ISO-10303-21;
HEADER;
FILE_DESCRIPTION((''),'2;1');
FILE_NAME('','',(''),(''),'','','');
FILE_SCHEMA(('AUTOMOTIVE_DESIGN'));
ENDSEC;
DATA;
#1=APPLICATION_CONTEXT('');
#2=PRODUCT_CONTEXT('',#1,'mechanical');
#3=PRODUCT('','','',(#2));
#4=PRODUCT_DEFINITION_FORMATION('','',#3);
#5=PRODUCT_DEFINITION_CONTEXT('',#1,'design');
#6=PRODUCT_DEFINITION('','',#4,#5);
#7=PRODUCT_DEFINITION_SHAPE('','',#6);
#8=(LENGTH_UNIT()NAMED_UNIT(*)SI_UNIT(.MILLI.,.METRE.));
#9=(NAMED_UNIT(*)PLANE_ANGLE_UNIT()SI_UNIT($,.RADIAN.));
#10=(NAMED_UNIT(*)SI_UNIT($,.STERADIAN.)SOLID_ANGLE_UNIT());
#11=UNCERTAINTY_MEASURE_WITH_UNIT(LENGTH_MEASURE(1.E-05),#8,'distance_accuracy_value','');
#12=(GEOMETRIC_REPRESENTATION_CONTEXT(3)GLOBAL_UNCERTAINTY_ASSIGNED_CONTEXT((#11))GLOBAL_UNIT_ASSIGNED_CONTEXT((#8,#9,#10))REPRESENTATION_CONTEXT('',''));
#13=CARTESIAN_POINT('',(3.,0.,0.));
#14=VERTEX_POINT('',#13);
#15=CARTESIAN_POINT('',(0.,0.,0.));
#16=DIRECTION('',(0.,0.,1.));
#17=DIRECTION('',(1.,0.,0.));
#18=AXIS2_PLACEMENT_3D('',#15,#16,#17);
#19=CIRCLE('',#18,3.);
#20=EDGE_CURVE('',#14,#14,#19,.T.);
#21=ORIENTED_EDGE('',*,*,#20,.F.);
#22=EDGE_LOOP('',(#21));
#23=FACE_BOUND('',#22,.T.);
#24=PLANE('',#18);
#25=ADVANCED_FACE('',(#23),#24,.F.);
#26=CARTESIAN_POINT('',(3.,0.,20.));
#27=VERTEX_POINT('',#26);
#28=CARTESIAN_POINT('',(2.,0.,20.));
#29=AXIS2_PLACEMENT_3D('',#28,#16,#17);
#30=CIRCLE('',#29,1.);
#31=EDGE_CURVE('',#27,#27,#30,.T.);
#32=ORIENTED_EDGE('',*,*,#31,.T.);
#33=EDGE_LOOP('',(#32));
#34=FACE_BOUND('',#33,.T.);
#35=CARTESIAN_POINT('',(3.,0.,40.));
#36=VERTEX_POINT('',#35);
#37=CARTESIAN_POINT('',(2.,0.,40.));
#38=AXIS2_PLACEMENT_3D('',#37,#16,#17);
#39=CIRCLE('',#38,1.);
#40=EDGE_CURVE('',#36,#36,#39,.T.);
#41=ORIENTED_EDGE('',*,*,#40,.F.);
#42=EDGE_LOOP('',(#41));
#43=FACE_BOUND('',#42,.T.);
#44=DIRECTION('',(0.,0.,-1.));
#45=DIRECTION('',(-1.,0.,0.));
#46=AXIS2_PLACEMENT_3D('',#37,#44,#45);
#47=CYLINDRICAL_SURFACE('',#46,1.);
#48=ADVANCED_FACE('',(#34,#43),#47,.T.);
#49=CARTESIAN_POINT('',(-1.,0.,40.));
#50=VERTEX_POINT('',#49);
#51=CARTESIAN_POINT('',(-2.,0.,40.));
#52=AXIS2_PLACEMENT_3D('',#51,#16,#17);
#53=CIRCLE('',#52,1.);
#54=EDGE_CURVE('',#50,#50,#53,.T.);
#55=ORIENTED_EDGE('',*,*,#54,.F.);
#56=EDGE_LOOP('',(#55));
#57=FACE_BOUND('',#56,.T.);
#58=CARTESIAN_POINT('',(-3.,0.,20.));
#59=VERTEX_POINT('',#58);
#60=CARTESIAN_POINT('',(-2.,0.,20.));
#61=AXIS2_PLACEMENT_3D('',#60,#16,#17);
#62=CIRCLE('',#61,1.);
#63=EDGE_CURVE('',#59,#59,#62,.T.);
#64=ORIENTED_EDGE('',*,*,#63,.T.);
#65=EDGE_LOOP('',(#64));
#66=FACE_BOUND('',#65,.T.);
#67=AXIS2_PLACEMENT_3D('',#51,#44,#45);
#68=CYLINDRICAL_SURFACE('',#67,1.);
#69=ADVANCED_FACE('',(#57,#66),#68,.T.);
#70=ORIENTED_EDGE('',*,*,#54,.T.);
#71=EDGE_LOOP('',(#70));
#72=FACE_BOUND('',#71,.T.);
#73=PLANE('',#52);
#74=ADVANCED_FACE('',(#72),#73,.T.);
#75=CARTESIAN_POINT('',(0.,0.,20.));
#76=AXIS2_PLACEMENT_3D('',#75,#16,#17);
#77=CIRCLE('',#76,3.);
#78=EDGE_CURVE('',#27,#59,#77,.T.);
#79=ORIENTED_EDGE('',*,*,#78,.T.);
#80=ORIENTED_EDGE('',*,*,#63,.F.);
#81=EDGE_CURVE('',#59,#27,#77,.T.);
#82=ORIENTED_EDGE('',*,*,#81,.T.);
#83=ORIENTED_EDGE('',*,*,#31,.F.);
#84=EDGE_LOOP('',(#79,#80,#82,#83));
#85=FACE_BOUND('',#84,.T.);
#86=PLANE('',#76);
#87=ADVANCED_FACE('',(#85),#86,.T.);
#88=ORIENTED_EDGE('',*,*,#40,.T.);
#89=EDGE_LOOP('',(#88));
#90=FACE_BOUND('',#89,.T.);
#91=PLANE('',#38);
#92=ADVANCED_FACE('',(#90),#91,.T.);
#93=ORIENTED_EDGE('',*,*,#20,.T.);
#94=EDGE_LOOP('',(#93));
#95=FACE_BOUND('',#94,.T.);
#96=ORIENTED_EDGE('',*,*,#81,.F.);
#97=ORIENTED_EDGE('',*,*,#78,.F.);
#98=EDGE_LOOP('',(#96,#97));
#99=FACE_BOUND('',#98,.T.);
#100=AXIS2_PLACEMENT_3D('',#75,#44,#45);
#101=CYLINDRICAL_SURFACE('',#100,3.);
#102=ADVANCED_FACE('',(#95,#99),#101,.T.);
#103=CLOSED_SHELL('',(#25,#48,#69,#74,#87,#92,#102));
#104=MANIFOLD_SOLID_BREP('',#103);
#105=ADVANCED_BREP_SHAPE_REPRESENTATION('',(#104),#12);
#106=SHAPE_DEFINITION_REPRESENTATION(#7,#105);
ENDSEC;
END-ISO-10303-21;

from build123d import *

# Parameters (mm, degrees)
SKETCH1_R           = 3
BOSS_EXTRUDE1_DEPTH = 20
SKETCH2_R           = 1
BOSS_EXTRUDE2_DEPTH = 20


with BuildPart() as part:
    # Sketch1 → Boss-Extrude1 (new body)
    with BuildSketch(Plane.XY):
        Circle(SKETCH1_R)
    extrude(amount=BOSS_EXTRUDE1_DEPTH)

    # Sketch2 → Boss-Extrude2 (add)
    with BuildSketch(Plane.XY.offset(20)):
        with Locations((-2, 0)):
            Circle(SKETCH2_R)
        with Locations((2, 0)):
            Circle(SKETCH2_R)
    extrude(amount=BOSS_EXTRUDE2_DEPTH)


solid = part.part
